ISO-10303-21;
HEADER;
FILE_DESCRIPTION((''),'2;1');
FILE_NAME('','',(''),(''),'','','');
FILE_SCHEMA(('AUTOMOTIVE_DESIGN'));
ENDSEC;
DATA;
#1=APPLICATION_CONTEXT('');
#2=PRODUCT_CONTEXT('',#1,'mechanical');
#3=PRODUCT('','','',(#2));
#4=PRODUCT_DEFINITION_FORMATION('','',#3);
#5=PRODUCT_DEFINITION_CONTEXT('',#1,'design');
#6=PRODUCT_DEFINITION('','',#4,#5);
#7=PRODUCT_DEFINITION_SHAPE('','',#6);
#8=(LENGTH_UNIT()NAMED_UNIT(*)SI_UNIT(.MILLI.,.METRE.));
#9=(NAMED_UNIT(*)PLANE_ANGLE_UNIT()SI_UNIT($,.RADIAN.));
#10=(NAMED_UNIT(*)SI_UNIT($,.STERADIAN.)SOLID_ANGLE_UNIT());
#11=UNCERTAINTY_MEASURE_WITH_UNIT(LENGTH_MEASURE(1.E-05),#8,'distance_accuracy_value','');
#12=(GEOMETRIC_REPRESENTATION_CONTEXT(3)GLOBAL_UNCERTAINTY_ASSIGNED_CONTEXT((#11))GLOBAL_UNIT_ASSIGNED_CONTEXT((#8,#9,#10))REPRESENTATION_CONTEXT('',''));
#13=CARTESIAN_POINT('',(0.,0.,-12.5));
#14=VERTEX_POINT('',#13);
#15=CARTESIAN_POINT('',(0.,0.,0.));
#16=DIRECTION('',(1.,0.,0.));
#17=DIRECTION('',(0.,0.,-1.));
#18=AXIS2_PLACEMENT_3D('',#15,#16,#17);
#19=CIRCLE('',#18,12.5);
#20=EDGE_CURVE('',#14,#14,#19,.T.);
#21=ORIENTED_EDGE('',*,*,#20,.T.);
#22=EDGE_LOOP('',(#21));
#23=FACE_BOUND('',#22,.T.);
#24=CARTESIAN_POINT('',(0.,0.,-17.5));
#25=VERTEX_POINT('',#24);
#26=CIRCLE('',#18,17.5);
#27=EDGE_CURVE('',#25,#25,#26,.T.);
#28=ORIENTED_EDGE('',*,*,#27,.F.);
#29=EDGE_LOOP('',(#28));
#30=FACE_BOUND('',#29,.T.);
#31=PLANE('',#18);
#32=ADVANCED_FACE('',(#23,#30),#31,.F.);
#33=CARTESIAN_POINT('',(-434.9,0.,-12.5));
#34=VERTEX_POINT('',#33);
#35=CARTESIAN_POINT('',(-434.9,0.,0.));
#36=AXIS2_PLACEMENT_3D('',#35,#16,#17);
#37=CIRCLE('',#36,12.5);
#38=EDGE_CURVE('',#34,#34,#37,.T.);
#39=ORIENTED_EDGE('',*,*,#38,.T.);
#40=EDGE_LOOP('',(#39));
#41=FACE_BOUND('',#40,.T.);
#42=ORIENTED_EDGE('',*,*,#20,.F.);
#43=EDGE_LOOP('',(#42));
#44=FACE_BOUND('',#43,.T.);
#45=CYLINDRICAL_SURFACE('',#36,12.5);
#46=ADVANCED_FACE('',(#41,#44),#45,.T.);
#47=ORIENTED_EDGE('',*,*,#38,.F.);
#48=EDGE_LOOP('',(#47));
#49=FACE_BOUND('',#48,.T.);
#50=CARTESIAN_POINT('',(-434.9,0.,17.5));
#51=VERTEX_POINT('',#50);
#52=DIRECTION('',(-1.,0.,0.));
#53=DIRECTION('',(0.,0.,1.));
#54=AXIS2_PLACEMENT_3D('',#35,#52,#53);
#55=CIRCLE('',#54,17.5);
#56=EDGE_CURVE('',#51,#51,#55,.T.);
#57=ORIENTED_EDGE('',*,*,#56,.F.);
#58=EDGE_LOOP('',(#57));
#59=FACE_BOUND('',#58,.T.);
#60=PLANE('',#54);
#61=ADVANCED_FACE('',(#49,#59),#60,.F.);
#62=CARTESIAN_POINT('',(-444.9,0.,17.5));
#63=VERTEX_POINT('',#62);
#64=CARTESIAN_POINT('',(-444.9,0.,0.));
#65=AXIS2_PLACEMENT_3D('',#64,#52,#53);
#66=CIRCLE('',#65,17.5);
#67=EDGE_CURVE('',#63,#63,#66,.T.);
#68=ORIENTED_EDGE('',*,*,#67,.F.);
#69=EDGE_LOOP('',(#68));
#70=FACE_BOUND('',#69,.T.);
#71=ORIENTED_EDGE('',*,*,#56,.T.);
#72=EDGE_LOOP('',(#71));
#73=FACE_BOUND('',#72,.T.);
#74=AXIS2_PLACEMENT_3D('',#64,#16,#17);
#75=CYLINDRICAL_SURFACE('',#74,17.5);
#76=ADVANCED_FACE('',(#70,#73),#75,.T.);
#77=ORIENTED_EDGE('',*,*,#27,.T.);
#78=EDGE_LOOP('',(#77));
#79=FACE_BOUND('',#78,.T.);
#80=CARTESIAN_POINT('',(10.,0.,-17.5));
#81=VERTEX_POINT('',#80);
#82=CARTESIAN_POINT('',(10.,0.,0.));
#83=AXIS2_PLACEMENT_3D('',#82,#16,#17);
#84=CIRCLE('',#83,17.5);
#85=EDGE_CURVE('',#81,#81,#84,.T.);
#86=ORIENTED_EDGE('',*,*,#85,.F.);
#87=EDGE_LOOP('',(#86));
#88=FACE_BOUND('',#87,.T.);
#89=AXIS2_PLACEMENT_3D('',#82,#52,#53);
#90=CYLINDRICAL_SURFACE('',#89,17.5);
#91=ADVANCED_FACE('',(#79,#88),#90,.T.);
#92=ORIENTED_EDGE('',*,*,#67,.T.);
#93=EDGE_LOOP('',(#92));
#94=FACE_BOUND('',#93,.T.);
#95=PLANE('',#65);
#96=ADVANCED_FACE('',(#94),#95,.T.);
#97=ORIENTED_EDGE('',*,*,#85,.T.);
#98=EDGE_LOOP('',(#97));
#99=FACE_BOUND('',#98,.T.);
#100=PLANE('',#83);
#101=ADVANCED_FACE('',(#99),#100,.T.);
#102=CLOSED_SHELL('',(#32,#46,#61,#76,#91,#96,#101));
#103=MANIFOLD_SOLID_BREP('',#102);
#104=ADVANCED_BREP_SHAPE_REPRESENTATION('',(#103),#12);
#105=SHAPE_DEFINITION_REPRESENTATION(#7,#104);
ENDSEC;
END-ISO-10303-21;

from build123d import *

# Parameters (mm, degrees)
SKETCH1_R           = 12.5
BOSS_EXTRUDE1_DEPTH = 434.9
SKETCH3_R           = 17.5
BOSS_EXTRUDE3_DEPTH = 10
BOSS_EXTRUDE4_START = 10
SKETCH4_R           = 17.5
BOSS_EXTRUDE4_DEPTH = 10


with BuildPart() as part:
    # Sketch1 → Boss-Extrude1 (new body)
    with BuildSketch(Plane(origin=(0, 0, 0), x_dir=(0, 0, -1), z_dir=(1, 0, 0))):
        Circle(SKETCH1_R)
    extrude(amount=-BOSS_EXTRUDE1_DEPTH)

    # Sketch3 → Boss-Extrude3 (add)
    with BuildSketch(Plane(origin=(0, 0, 0), x_dir=(0, 0, -1), z_dir=(1, 0, 0))):
        Circle(SKETCH3_R)
    extrude(amount=BOSS_EXTRUDE3_DEPTH)

    # Sketch4 → Boss-Extrude4 (add)
    with BuildSketch(Plane.ZY.offset(434.9).offset(BOSS_EXTRUDE4_START)):
        with Locations(Location((0, 0, 0), (0, 0, 180))):
            Circle(SKETCH4_R)
    extrude(amount=-BOSS_EXTRUDE4_DEPTH)


solid = part.part
